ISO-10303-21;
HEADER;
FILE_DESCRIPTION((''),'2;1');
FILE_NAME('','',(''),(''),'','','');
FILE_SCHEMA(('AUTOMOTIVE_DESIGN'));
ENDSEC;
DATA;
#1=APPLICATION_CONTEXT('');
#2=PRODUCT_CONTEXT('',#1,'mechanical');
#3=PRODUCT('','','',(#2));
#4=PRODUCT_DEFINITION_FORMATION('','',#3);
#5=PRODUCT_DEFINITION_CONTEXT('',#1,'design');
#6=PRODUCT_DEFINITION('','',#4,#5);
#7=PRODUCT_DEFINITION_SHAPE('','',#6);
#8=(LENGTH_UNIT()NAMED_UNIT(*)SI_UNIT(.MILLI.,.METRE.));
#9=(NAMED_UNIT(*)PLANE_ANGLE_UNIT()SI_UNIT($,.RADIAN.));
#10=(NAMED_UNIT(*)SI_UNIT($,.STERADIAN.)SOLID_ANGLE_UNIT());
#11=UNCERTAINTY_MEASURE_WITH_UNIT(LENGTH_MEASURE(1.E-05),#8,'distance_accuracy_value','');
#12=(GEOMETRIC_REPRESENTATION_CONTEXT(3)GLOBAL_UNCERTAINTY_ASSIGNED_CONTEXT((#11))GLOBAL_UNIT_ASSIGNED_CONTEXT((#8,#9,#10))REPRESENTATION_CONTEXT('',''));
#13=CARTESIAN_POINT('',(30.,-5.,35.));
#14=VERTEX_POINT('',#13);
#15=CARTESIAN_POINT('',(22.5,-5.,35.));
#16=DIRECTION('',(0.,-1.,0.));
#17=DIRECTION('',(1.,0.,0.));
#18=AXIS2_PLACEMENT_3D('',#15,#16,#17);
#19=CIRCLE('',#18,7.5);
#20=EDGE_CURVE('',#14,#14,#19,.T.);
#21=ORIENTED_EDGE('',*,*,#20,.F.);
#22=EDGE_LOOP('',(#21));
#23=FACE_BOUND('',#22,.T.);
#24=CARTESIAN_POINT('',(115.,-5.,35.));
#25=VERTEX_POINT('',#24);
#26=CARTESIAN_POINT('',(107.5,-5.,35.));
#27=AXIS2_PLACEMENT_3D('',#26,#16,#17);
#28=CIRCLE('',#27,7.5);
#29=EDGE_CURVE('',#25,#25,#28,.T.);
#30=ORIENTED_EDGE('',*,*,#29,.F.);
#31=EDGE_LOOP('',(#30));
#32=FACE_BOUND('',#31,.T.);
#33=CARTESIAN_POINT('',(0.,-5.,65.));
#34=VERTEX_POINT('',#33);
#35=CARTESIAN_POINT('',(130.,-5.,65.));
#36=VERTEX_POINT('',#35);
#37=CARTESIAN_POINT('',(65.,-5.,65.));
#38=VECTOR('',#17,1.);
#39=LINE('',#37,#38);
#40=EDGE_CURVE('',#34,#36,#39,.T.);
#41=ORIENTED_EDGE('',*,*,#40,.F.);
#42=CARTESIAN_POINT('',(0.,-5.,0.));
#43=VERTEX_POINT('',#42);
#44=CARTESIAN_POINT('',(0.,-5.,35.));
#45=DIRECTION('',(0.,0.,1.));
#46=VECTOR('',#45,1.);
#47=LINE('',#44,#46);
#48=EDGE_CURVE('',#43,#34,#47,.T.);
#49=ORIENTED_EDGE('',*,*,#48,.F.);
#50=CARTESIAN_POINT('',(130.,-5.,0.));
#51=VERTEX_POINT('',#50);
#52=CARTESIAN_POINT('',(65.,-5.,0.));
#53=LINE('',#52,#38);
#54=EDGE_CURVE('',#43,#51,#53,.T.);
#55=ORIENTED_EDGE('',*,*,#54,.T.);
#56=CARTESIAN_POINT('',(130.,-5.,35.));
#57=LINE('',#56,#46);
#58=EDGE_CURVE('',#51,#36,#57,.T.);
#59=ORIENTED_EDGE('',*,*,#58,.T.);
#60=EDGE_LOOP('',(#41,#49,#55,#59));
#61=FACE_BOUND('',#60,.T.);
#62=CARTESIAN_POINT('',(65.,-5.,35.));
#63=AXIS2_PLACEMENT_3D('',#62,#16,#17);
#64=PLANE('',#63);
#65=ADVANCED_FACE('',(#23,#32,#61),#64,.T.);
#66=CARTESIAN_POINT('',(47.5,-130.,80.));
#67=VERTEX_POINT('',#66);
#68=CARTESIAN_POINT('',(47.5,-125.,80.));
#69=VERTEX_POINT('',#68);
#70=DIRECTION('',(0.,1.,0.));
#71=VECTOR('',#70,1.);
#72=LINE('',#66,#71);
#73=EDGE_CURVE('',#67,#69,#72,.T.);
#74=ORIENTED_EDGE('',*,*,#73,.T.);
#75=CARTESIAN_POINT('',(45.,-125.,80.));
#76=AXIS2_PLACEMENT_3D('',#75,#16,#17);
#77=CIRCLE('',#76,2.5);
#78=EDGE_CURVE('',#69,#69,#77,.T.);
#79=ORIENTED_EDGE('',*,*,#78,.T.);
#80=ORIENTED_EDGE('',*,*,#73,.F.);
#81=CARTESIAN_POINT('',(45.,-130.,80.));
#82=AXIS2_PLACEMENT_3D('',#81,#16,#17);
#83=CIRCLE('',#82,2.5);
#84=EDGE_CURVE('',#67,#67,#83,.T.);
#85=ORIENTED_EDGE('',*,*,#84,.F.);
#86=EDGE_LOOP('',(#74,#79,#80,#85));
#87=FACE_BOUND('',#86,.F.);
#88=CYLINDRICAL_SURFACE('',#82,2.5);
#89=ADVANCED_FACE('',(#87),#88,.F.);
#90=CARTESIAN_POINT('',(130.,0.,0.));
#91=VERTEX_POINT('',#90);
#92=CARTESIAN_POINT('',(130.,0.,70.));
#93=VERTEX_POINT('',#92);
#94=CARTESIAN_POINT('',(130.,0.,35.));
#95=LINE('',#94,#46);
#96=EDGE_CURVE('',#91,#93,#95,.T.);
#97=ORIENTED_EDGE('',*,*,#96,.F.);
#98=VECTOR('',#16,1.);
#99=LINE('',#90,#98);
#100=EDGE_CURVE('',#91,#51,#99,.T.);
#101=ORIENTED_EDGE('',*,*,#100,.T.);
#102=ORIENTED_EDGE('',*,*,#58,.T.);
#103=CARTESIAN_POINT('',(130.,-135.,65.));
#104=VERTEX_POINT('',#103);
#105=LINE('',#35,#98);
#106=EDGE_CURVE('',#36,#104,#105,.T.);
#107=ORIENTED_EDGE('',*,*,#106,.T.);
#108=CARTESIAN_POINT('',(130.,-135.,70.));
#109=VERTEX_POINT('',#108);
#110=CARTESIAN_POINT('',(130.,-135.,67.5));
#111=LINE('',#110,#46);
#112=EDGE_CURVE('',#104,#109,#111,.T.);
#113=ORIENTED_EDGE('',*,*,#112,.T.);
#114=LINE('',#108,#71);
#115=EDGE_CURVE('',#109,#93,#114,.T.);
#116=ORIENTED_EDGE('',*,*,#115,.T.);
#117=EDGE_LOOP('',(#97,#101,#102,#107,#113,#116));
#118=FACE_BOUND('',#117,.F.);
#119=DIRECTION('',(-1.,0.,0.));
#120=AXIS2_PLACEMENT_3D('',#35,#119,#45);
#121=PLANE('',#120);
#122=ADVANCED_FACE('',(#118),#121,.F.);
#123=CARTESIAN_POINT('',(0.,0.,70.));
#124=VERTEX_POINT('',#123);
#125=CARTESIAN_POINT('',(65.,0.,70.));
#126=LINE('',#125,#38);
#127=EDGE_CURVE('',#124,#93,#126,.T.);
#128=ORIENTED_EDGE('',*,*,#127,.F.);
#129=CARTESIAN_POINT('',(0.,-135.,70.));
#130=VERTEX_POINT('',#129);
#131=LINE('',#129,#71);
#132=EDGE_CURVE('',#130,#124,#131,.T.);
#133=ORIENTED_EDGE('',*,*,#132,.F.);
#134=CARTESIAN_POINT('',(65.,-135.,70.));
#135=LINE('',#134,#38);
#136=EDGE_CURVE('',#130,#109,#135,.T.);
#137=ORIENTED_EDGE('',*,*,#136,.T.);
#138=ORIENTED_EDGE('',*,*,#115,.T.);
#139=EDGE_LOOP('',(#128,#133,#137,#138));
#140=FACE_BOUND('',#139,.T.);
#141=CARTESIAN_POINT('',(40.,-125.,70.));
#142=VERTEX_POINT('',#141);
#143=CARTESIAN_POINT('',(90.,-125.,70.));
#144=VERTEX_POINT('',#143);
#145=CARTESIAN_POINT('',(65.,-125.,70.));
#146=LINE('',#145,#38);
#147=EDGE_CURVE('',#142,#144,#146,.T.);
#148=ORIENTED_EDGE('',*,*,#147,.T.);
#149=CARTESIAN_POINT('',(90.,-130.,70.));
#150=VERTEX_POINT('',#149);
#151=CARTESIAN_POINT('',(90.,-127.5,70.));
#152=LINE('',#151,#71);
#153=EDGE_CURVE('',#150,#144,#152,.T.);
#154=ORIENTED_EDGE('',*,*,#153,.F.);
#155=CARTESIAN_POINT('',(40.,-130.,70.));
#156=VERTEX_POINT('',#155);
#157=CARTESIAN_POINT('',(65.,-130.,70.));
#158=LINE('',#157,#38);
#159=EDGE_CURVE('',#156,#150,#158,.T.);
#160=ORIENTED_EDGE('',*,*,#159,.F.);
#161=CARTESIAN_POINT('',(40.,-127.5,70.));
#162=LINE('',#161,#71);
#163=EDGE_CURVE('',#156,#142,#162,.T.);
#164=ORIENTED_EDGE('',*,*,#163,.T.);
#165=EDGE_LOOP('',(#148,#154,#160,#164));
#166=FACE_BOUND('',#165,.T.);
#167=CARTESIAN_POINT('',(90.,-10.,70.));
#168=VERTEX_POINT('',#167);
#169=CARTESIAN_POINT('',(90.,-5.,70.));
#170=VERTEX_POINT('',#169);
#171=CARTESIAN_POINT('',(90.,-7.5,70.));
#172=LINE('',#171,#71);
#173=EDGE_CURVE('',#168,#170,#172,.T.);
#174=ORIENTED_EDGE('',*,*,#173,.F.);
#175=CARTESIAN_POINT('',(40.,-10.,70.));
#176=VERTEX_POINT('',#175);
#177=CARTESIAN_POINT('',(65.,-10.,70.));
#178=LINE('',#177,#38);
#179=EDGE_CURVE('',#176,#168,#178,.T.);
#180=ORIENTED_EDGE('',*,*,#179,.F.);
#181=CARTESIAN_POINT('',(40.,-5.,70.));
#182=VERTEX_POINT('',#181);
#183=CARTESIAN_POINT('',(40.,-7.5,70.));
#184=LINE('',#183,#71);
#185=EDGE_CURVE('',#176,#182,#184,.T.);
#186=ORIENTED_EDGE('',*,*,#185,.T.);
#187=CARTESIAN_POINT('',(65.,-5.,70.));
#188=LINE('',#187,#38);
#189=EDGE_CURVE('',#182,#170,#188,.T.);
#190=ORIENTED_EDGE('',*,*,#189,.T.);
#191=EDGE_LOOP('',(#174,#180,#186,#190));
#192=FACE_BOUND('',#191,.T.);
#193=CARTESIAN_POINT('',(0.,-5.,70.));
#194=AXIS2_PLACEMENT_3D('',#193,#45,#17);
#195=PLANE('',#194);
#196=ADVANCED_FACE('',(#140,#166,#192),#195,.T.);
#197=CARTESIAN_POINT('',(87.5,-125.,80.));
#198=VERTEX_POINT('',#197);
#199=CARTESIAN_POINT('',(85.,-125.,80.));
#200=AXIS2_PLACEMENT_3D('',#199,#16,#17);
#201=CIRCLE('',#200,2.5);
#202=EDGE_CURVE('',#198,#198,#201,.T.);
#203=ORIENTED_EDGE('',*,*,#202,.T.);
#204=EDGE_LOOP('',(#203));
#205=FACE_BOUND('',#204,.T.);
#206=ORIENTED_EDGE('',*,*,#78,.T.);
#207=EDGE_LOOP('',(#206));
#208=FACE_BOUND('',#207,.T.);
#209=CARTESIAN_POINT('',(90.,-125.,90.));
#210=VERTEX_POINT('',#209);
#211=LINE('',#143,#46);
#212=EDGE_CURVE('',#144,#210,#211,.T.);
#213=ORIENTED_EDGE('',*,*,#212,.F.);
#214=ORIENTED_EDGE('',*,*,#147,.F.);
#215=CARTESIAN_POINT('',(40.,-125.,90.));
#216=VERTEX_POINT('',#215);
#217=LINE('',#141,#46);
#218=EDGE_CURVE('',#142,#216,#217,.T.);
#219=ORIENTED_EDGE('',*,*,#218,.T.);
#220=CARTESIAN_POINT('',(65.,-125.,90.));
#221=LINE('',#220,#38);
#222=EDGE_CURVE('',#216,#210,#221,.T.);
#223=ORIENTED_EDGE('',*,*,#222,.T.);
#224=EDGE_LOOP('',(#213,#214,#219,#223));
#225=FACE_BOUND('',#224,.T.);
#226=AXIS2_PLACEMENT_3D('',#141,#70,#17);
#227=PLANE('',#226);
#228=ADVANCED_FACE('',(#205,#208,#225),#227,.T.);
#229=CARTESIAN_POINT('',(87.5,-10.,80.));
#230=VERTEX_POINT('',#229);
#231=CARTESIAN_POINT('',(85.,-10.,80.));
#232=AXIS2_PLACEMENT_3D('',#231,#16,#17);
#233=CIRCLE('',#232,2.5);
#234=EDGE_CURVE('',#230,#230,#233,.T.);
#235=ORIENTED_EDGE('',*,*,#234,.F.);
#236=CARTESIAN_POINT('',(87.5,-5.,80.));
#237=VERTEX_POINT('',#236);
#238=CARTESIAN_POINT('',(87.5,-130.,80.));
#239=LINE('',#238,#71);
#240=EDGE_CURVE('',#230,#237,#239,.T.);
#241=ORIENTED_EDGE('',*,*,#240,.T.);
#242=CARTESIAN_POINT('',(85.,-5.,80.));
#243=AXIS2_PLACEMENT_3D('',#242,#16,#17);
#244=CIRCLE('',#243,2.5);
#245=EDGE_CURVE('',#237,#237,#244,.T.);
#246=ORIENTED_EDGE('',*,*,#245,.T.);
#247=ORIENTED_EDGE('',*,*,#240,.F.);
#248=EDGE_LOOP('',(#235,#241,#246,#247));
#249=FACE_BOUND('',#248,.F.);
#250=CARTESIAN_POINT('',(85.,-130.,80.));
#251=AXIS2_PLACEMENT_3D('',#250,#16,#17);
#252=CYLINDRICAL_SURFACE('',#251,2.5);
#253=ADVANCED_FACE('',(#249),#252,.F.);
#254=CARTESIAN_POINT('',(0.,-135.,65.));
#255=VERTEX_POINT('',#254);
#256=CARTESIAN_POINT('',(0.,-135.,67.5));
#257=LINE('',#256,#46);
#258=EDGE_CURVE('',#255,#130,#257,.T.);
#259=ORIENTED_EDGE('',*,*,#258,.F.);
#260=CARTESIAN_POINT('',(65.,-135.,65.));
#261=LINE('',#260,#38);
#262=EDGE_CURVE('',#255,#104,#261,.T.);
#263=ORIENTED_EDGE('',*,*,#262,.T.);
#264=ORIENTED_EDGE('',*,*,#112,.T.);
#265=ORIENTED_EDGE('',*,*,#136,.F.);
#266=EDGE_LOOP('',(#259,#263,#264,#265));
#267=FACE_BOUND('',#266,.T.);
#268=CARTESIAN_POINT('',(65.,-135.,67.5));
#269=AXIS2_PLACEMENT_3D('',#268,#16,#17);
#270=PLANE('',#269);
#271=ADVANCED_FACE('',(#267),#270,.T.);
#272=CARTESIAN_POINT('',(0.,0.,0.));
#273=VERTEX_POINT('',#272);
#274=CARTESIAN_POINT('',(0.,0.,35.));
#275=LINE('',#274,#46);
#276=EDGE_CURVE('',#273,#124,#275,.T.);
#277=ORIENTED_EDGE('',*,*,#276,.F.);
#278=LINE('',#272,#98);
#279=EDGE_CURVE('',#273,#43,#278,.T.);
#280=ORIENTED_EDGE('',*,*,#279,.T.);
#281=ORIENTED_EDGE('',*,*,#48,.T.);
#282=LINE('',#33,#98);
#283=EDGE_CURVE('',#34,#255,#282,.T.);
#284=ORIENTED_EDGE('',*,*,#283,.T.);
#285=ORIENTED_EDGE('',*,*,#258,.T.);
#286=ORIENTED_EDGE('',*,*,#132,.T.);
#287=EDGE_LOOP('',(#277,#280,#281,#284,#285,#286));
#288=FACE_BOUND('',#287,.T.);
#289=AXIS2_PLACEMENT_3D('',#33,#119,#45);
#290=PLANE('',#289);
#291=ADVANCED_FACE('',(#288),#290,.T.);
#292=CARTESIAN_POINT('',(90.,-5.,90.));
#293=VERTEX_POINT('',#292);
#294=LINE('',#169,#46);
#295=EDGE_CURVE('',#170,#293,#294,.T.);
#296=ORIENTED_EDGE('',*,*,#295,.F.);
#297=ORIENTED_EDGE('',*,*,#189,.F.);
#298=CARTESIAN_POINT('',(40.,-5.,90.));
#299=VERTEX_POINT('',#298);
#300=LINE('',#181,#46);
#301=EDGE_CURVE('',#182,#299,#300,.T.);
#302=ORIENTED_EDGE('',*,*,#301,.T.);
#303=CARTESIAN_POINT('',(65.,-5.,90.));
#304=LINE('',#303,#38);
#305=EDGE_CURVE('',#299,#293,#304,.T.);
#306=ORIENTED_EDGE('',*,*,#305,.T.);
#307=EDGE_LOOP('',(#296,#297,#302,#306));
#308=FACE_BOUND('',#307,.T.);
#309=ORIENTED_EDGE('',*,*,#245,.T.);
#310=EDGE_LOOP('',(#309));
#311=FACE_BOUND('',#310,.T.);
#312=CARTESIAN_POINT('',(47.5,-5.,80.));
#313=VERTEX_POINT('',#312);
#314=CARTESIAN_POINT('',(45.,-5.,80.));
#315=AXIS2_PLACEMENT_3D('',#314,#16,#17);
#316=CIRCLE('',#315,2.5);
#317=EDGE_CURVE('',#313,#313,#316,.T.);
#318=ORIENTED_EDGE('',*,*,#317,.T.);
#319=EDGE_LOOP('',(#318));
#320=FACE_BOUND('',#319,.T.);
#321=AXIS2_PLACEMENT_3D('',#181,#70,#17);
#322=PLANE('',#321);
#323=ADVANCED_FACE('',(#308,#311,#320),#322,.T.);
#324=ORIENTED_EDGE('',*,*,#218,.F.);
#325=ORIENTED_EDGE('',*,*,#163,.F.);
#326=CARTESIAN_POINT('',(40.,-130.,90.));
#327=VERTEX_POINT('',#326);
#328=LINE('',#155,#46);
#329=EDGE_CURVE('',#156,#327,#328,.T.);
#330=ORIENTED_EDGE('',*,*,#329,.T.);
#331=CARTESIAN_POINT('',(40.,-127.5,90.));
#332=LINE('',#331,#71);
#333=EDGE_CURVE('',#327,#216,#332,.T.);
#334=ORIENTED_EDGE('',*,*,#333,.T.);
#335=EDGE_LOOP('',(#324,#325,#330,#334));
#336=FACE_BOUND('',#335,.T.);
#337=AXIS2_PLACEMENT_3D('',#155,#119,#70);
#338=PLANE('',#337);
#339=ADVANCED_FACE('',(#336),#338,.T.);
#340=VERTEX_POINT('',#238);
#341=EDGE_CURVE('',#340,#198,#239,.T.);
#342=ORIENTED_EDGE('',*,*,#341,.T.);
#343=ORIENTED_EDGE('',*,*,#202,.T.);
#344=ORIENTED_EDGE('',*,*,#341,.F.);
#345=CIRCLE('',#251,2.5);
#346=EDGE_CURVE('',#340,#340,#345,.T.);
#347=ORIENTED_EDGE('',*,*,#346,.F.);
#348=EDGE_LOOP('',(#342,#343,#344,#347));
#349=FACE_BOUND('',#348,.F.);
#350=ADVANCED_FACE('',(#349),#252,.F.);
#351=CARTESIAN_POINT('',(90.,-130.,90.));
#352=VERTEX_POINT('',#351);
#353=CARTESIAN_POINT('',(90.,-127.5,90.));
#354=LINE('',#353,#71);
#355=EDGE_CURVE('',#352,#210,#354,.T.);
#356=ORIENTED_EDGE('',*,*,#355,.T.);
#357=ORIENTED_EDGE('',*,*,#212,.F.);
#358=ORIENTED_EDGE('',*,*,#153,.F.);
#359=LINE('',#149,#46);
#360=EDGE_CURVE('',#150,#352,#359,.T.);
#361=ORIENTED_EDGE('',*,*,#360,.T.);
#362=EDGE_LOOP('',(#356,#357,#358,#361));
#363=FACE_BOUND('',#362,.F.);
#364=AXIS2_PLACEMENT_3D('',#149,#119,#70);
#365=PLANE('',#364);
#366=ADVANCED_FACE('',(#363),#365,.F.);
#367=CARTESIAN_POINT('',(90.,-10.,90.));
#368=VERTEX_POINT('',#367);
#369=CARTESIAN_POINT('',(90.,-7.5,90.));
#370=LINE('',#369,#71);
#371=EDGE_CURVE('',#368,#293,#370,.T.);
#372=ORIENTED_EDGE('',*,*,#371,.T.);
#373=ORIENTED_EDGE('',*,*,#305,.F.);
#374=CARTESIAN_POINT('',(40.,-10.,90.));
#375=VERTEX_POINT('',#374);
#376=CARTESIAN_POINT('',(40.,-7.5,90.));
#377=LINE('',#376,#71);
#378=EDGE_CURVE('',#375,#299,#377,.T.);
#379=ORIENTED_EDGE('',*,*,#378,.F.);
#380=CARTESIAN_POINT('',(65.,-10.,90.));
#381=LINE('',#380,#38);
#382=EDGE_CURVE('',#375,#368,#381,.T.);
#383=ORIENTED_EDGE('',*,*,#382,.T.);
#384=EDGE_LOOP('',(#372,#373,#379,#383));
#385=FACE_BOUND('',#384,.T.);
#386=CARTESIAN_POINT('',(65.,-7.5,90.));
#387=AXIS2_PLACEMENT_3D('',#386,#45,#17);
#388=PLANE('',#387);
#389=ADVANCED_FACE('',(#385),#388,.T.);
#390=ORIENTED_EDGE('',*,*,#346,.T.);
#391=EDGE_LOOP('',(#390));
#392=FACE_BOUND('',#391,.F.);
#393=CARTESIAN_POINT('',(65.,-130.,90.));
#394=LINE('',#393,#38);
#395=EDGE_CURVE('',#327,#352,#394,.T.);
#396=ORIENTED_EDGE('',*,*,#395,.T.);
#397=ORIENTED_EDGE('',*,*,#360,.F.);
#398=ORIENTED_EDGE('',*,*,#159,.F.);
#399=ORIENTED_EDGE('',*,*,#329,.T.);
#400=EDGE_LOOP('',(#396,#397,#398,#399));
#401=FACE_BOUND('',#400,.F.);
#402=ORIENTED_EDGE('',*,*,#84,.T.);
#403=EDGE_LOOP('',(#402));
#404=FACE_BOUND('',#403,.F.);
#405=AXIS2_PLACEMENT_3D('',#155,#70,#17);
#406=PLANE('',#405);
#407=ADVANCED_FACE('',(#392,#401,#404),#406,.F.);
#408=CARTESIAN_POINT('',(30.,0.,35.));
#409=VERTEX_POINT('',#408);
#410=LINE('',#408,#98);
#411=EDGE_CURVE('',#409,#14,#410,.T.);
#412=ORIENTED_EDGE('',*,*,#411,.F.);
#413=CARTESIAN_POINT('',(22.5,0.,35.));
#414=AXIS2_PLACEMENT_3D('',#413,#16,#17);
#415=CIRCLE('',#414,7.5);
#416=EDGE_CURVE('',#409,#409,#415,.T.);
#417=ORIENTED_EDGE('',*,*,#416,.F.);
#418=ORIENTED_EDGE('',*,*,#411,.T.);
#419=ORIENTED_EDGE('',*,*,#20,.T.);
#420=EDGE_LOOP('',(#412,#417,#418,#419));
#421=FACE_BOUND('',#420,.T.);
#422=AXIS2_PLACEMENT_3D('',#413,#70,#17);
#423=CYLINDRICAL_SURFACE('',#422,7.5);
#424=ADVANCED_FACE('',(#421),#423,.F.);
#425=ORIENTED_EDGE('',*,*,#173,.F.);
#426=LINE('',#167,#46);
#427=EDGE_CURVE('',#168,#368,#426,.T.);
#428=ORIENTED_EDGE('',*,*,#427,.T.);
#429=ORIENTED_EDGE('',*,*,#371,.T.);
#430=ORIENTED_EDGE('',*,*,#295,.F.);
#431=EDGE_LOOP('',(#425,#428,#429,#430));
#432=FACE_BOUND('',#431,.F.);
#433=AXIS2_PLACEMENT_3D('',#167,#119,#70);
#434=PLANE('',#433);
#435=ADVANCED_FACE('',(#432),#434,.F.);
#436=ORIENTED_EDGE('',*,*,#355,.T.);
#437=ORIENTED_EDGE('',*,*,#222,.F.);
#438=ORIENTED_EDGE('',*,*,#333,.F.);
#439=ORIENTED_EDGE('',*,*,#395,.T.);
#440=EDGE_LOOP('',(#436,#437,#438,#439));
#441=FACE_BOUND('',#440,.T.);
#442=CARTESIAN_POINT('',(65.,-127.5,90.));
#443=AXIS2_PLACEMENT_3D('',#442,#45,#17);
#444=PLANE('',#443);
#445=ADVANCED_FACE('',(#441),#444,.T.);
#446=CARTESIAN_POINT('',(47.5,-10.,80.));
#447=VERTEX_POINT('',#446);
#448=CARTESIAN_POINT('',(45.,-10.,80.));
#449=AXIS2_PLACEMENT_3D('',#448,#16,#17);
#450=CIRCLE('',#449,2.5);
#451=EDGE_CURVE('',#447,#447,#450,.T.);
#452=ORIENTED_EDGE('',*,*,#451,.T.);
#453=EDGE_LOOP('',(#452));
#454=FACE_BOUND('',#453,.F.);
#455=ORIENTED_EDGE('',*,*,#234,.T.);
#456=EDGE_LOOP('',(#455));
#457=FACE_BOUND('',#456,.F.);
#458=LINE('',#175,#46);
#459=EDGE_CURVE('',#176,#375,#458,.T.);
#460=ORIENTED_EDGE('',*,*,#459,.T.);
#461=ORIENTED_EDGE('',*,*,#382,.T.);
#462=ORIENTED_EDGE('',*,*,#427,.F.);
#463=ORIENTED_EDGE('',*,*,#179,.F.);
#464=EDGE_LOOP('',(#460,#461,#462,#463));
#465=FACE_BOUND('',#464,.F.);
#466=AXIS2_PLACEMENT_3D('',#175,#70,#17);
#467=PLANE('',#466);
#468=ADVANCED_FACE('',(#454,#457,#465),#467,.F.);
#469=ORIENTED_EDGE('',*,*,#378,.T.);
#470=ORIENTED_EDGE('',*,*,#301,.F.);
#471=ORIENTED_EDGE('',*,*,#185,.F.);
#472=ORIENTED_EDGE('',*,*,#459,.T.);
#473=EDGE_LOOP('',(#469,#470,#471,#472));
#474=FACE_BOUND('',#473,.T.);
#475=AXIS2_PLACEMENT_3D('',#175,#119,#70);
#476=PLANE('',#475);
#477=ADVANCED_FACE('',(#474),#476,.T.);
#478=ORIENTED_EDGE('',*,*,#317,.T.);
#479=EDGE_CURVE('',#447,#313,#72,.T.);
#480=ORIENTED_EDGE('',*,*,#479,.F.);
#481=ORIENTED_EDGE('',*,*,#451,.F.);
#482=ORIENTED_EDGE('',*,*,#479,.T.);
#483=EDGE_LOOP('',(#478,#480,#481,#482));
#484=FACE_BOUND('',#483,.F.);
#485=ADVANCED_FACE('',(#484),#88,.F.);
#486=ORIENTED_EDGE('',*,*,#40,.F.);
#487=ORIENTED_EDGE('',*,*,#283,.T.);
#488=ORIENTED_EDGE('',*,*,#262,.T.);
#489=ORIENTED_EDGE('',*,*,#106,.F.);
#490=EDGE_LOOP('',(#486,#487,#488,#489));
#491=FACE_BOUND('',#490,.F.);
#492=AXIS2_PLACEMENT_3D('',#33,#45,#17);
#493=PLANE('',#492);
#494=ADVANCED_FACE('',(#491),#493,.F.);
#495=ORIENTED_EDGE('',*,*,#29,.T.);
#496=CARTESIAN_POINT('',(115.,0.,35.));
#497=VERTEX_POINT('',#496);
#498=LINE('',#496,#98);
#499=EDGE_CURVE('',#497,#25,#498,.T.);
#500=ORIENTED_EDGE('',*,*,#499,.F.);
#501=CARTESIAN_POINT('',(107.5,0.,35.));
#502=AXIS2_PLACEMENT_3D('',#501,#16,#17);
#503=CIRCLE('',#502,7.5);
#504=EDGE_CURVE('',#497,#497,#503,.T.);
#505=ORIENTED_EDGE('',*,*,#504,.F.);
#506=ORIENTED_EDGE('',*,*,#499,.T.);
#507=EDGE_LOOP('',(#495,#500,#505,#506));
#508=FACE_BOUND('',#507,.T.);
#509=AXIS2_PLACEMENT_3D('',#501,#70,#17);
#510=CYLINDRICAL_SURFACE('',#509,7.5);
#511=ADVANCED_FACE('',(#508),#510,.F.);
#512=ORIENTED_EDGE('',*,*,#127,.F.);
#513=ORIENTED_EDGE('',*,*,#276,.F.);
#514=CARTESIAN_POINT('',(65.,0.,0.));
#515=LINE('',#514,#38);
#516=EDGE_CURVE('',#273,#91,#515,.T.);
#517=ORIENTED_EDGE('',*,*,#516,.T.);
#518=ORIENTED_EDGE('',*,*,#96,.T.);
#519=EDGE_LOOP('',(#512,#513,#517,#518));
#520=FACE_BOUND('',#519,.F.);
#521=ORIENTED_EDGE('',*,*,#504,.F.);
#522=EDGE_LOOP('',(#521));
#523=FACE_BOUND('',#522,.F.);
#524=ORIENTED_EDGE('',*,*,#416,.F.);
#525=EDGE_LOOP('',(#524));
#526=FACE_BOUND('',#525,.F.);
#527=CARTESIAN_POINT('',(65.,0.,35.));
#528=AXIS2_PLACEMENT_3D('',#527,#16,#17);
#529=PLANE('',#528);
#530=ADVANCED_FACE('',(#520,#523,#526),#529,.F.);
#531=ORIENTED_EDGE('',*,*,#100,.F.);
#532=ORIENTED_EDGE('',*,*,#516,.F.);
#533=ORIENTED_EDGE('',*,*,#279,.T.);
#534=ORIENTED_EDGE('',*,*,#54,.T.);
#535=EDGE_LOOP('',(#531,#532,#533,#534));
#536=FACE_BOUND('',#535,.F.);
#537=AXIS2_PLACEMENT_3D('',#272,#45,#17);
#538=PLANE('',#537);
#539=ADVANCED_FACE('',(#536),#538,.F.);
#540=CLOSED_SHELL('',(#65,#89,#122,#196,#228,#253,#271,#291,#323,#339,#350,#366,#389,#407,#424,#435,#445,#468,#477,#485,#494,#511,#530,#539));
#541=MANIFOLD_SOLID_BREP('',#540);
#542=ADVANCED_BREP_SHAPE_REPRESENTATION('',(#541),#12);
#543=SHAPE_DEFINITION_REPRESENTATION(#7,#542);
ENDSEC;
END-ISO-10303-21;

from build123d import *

# Parameters (mm, degrees)
F0_W     = 130
F0_H     = 70
F0_R     = 7.5
F1_DEPTH = 5
F2_W     = 130
F2_H     = 5
F3_DEPTH = 130
F4_W     = 50
F4_H     = 5
F5_DEPTH = 20
F6_R     = 2.5
F7_DEPTH = 130.001


with BuildPart() as f1:
    # F0 (on Front) → F1 (new body)
    with BuildSketch(Plane.XZ):
        with Locations((65, 35)):
            Rectangle(F0_W, F0_H)
        with Locations((22.5, 35)):
            Circle(F0_R, mode=Mode.SUBTRACT)
        with Locations((107.5, 35)):
            Circle(F0_R, mode=Mode.SUBTRACT)
    extrude(amount=F1_DEPTH)

    # F2 (on face) → F3 (join)
    with BuildSketch(Plane.XZ.offset(5)):
        with Locations((65, 67.5)):
            Rectangle(F2_W, F2_H)
    extrude(amount=F3_DEPTH)

    # F4 (on face) → F5 (join)
    with BuildSketch(Plane.XY.offset(70)):
        with Locations((65, -127.5)):
            Rectangle(F4_W, F4_H)
        with Locations((65, -7.5)):
            Rectangle(F4_W, F4_H)
    extrude(amount=F5_DEPTH)

    # F6 (on face) → F7 (cut, through all)
    with BuildSketch(Plane.XZ.offset(130)):
        with Locations((45, 80)):
            Circle(F6_R)
        with Locations((85, 80)):
            Circle(F6_R)
    extrude(amount=-F7_DEPTH, mode=Mode.SUBTRACT)


solid = f1.part
